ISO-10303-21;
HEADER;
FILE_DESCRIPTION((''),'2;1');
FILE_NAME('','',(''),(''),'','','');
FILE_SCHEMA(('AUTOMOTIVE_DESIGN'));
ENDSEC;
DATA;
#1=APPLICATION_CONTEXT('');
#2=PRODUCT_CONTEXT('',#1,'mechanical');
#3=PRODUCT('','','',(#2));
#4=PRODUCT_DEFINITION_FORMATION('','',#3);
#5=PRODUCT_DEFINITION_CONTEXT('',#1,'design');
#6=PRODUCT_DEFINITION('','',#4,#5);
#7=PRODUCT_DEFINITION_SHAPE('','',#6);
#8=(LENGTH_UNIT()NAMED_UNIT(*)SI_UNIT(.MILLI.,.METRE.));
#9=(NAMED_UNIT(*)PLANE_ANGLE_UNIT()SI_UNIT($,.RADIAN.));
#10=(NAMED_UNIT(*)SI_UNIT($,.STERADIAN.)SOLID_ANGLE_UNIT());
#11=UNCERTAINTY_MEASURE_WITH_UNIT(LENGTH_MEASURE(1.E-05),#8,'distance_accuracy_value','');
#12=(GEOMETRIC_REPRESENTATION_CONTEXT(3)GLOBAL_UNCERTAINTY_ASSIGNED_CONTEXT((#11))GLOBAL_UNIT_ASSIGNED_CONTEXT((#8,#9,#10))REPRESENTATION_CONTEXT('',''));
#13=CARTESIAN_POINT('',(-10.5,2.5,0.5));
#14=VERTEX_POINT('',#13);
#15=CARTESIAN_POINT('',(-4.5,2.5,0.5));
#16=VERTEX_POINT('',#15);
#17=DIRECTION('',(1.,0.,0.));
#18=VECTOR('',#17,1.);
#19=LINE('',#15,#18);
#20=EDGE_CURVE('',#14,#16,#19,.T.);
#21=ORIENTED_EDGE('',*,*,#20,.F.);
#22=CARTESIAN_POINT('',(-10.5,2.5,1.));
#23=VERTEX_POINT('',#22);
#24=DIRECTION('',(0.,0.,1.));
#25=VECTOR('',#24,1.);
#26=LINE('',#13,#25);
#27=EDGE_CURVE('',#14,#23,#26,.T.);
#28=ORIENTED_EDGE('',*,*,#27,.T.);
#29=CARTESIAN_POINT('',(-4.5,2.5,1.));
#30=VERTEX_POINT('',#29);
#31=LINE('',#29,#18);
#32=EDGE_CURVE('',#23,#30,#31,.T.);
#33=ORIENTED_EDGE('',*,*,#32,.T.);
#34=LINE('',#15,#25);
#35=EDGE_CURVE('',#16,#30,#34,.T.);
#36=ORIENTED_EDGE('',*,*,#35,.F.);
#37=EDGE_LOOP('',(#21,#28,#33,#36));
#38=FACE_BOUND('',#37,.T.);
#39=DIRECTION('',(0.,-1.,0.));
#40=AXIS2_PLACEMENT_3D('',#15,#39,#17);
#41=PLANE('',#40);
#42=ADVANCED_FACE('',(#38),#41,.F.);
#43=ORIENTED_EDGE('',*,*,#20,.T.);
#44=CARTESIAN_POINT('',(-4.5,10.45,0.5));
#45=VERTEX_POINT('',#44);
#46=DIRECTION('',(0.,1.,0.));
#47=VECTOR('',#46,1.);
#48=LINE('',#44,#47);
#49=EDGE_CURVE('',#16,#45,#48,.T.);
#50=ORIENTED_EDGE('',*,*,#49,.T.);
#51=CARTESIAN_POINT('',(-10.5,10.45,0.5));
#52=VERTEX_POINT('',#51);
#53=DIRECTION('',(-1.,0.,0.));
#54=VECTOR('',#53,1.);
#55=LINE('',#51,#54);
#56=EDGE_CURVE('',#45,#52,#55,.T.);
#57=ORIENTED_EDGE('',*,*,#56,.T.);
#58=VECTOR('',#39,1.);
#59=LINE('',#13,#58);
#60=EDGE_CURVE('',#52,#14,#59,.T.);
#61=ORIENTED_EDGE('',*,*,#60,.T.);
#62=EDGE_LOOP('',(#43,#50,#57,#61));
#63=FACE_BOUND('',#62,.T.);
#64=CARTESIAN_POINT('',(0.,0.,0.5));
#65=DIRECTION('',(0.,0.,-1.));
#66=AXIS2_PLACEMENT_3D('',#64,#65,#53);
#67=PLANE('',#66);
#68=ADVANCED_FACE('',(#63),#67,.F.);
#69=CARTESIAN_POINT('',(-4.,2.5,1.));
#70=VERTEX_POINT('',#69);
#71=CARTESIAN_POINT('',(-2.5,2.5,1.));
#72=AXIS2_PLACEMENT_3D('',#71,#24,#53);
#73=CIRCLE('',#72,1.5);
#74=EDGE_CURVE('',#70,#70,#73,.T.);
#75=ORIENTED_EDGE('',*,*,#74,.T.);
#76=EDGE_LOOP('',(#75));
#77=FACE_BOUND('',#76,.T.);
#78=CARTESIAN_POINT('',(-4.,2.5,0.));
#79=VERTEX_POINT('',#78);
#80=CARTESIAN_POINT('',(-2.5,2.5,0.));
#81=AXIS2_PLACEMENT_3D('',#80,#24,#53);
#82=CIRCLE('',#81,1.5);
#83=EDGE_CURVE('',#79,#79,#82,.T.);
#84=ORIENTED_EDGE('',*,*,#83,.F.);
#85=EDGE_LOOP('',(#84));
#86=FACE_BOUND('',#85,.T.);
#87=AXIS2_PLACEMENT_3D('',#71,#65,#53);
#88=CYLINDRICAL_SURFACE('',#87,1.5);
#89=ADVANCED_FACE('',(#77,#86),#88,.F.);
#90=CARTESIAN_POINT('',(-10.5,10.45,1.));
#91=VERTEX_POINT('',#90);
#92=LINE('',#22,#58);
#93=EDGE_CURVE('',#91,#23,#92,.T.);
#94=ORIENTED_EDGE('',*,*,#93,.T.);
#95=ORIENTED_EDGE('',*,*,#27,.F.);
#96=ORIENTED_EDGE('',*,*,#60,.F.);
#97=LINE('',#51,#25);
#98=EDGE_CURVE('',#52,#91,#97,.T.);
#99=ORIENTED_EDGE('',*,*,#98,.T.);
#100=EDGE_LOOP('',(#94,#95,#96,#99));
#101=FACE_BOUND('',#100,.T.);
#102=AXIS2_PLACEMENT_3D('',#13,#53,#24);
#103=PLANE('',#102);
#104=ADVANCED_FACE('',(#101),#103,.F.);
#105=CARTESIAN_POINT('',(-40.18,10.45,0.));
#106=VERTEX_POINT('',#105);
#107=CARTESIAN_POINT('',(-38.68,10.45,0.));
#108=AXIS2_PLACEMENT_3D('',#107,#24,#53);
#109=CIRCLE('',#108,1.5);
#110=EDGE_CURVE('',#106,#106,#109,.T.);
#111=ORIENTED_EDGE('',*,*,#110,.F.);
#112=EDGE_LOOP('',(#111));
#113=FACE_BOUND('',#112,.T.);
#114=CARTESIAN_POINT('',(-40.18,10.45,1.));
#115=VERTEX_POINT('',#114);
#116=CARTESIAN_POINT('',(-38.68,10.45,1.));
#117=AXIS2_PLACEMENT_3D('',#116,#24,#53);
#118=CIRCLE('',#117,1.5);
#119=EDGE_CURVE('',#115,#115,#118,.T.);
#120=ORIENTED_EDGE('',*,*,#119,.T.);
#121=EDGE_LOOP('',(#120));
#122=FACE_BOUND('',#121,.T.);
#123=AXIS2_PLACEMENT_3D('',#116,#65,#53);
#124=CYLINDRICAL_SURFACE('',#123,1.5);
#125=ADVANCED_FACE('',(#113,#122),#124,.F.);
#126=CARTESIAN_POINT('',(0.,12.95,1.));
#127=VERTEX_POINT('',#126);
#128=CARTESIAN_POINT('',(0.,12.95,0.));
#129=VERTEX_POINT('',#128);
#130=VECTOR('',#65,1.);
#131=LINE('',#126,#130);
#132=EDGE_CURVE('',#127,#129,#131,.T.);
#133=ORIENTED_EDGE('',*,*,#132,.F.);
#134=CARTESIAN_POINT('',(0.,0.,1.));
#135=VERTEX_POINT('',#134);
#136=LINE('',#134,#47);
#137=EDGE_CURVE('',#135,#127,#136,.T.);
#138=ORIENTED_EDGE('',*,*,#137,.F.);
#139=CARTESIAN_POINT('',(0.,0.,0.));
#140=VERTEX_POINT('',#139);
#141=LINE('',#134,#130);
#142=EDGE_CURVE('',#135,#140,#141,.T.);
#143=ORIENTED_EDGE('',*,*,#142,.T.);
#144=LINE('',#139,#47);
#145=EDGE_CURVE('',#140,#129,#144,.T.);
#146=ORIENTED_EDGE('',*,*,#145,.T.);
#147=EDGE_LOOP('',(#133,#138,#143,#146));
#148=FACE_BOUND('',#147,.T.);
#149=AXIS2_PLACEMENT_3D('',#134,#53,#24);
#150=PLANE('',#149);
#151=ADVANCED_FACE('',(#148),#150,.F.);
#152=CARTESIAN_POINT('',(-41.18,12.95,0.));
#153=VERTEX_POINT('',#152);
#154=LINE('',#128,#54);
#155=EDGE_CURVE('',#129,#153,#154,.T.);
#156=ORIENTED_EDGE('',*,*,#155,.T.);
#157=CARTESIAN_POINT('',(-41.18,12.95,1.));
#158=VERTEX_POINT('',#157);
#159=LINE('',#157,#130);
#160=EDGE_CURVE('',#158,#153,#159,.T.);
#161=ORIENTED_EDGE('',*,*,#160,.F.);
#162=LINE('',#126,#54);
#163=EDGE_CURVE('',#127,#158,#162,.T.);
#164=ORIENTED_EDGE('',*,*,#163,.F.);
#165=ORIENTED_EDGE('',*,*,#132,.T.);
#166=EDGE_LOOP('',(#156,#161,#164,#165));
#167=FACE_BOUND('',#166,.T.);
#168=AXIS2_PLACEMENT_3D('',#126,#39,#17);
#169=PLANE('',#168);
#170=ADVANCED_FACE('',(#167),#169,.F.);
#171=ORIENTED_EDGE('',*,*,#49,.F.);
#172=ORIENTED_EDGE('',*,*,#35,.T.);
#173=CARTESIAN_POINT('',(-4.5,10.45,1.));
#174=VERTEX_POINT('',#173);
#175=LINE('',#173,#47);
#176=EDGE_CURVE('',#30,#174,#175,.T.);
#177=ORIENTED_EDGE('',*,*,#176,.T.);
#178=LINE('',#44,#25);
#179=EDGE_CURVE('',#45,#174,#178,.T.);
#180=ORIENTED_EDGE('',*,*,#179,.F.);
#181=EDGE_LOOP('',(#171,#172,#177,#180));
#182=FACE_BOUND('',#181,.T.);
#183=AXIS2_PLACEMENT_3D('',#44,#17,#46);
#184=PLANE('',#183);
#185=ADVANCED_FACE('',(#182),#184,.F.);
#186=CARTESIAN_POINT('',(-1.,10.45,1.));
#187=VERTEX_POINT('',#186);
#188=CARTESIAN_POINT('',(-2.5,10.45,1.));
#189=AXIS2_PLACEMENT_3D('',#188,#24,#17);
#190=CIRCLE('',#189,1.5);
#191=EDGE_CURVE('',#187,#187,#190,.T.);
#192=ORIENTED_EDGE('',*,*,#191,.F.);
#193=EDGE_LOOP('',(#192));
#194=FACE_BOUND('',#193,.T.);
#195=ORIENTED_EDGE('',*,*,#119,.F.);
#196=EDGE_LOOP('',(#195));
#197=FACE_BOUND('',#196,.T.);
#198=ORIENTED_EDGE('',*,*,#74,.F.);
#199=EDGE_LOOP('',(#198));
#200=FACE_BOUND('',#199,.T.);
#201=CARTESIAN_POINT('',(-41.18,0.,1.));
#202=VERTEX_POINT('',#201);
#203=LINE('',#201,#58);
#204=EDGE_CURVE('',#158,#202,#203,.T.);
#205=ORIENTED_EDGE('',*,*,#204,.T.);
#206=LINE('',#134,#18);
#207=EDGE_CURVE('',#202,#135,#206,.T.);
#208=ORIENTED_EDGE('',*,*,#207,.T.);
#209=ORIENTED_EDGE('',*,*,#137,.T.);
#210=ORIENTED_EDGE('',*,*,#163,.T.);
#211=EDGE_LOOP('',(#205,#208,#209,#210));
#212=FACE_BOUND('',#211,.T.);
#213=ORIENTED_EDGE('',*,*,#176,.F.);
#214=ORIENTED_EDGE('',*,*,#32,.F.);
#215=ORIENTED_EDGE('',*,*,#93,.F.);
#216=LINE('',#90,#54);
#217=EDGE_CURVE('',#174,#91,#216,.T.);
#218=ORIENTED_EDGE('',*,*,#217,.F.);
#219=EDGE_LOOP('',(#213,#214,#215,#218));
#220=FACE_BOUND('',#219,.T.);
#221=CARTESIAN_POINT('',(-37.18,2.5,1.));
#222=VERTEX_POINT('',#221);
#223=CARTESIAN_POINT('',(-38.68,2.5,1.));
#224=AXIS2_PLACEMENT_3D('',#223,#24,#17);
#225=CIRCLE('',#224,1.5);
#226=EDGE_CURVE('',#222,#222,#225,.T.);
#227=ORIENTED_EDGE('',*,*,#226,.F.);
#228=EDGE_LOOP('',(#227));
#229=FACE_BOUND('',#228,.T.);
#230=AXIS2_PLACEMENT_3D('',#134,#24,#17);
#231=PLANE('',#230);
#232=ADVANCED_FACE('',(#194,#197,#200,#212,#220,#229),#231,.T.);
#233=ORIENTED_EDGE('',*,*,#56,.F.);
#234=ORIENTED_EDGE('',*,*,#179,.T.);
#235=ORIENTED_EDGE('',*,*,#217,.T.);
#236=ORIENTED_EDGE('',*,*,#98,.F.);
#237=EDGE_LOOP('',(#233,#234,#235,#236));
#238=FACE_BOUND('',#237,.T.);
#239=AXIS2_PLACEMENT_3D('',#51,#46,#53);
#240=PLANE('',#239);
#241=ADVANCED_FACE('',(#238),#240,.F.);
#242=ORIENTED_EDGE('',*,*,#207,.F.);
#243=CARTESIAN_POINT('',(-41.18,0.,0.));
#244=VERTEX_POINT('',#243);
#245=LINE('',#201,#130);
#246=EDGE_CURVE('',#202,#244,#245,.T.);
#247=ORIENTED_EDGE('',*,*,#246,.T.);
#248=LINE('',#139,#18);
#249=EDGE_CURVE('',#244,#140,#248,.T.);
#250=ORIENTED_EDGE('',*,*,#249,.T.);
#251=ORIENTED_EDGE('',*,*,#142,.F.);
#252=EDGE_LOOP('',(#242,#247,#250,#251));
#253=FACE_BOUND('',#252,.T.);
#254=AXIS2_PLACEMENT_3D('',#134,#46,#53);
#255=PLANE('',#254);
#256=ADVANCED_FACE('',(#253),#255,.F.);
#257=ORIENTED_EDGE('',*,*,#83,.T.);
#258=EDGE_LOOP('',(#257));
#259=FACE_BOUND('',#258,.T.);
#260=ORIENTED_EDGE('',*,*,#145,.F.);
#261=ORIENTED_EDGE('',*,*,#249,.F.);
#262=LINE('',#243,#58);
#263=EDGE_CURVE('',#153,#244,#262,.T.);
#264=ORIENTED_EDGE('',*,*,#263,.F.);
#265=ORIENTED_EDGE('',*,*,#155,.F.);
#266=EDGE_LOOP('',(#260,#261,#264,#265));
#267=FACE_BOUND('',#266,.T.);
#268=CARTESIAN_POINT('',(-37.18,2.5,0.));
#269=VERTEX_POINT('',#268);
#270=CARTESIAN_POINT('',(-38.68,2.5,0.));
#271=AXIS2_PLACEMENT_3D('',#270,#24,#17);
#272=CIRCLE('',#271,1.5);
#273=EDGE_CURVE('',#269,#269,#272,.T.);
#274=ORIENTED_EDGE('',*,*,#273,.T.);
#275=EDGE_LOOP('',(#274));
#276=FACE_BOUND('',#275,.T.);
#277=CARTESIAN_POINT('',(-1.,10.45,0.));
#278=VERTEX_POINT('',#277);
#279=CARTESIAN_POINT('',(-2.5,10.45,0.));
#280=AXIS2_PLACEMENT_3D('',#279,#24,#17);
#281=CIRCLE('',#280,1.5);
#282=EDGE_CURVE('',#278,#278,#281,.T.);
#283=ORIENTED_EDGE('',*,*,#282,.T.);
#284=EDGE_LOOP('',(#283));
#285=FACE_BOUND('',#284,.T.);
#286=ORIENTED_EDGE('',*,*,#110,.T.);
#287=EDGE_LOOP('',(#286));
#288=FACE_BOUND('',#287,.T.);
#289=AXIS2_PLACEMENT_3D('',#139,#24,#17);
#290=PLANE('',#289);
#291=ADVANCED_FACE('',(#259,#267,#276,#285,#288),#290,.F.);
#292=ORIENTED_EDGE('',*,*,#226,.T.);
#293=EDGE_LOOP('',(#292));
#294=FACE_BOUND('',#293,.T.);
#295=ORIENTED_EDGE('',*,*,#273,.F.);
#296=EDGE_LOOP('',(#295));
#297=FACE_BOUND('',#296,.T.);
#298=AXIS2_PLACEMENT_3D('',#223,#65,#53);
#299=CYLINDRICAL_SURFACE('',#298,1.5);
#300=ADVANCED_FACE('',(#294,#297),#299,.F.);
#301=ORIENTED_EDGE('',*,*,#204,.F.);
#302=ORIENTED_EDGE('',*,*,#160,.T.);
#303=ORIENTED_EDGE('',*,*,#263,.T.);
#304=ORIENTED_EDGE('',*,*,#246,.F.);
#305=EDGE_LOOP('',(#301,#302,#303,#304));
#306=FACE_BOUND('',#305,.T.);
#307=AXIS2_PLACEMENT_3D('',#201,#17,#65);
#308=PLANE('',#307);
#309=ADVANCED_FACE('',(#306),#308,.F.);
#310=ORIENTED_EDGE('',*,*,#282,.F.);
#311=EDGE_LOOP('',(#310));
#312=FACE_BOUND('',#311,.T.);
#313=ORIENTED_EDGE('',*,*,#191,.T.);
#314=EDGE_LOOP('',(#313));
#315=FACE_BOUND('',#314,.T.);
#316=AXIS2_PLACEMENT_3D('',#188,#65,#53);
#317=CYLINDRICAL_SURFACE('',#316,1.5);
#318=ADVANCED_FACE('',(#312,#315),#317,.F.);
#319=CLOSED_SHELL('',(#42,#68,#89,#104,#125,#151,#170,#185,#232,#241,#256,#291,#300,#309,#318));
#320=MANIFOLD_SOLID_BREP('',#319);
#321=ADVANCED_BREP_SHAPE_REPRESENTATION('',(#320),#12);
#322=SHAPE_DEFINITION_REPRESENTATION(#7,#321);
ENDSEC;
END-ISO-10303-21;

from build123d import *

# Parameters (mm, degrees)
CROQUIS1_W              = 41.18
CROQUIS1_H              = 12.95
CROQUIS1_R              = 1.5
SALIENTE_EXTRUIR1_DEPTH = 1
CROQUIS2_W              = 6
CROQUIS2_H              = 7.95
CORTAR_EXTRUIR1_DEPTH   = 0.5


with BuildPart() as part:
    # Croquis1 → Saliente-Extruir1 (new body)
    with BuildSketch(Plane.XY):
        with Locations((-20.59, 6.475)):
            Rectangle(CROQUIS1_W, CROQUIS1_H)
        with Locations((-38.68, 2.5)):
            Circle(CROQUIS1_R, mode=Mode.SUBTRACT)
        with Locations(Location((-38.68, 10.45, 0), (0, 0, 180))):
            Circle(CROQUIS1_R, mode=Mode.SUBTRACT)
        with Locations(Location((-2.5, 2.5, 0), (0, 0, 180))):
            Circle(CROQUIS1_R, mode=Mode.SUBTRACT)
        with Locations((-2.5, 10.45)):
            Circle(CROQUIS1_R, mode=Mode.SUBTRACT)
    extrude(amount=SALIENTE_EXTRUIR1_DEPTH)

    # Croquis2 → Cortar-Extruir1 (cut)
    with BuildSketch(Plane.XY.offset(1)):
        with Locations((-7.5, 6.475)):
            Rectangle(CROQUIS2_W, CROQUIS2_H)
    extrude(amount=-CORTAR_EXTRUIR1_DEPTH, mode=Mode.SUBTRACT)


solid = part.part
